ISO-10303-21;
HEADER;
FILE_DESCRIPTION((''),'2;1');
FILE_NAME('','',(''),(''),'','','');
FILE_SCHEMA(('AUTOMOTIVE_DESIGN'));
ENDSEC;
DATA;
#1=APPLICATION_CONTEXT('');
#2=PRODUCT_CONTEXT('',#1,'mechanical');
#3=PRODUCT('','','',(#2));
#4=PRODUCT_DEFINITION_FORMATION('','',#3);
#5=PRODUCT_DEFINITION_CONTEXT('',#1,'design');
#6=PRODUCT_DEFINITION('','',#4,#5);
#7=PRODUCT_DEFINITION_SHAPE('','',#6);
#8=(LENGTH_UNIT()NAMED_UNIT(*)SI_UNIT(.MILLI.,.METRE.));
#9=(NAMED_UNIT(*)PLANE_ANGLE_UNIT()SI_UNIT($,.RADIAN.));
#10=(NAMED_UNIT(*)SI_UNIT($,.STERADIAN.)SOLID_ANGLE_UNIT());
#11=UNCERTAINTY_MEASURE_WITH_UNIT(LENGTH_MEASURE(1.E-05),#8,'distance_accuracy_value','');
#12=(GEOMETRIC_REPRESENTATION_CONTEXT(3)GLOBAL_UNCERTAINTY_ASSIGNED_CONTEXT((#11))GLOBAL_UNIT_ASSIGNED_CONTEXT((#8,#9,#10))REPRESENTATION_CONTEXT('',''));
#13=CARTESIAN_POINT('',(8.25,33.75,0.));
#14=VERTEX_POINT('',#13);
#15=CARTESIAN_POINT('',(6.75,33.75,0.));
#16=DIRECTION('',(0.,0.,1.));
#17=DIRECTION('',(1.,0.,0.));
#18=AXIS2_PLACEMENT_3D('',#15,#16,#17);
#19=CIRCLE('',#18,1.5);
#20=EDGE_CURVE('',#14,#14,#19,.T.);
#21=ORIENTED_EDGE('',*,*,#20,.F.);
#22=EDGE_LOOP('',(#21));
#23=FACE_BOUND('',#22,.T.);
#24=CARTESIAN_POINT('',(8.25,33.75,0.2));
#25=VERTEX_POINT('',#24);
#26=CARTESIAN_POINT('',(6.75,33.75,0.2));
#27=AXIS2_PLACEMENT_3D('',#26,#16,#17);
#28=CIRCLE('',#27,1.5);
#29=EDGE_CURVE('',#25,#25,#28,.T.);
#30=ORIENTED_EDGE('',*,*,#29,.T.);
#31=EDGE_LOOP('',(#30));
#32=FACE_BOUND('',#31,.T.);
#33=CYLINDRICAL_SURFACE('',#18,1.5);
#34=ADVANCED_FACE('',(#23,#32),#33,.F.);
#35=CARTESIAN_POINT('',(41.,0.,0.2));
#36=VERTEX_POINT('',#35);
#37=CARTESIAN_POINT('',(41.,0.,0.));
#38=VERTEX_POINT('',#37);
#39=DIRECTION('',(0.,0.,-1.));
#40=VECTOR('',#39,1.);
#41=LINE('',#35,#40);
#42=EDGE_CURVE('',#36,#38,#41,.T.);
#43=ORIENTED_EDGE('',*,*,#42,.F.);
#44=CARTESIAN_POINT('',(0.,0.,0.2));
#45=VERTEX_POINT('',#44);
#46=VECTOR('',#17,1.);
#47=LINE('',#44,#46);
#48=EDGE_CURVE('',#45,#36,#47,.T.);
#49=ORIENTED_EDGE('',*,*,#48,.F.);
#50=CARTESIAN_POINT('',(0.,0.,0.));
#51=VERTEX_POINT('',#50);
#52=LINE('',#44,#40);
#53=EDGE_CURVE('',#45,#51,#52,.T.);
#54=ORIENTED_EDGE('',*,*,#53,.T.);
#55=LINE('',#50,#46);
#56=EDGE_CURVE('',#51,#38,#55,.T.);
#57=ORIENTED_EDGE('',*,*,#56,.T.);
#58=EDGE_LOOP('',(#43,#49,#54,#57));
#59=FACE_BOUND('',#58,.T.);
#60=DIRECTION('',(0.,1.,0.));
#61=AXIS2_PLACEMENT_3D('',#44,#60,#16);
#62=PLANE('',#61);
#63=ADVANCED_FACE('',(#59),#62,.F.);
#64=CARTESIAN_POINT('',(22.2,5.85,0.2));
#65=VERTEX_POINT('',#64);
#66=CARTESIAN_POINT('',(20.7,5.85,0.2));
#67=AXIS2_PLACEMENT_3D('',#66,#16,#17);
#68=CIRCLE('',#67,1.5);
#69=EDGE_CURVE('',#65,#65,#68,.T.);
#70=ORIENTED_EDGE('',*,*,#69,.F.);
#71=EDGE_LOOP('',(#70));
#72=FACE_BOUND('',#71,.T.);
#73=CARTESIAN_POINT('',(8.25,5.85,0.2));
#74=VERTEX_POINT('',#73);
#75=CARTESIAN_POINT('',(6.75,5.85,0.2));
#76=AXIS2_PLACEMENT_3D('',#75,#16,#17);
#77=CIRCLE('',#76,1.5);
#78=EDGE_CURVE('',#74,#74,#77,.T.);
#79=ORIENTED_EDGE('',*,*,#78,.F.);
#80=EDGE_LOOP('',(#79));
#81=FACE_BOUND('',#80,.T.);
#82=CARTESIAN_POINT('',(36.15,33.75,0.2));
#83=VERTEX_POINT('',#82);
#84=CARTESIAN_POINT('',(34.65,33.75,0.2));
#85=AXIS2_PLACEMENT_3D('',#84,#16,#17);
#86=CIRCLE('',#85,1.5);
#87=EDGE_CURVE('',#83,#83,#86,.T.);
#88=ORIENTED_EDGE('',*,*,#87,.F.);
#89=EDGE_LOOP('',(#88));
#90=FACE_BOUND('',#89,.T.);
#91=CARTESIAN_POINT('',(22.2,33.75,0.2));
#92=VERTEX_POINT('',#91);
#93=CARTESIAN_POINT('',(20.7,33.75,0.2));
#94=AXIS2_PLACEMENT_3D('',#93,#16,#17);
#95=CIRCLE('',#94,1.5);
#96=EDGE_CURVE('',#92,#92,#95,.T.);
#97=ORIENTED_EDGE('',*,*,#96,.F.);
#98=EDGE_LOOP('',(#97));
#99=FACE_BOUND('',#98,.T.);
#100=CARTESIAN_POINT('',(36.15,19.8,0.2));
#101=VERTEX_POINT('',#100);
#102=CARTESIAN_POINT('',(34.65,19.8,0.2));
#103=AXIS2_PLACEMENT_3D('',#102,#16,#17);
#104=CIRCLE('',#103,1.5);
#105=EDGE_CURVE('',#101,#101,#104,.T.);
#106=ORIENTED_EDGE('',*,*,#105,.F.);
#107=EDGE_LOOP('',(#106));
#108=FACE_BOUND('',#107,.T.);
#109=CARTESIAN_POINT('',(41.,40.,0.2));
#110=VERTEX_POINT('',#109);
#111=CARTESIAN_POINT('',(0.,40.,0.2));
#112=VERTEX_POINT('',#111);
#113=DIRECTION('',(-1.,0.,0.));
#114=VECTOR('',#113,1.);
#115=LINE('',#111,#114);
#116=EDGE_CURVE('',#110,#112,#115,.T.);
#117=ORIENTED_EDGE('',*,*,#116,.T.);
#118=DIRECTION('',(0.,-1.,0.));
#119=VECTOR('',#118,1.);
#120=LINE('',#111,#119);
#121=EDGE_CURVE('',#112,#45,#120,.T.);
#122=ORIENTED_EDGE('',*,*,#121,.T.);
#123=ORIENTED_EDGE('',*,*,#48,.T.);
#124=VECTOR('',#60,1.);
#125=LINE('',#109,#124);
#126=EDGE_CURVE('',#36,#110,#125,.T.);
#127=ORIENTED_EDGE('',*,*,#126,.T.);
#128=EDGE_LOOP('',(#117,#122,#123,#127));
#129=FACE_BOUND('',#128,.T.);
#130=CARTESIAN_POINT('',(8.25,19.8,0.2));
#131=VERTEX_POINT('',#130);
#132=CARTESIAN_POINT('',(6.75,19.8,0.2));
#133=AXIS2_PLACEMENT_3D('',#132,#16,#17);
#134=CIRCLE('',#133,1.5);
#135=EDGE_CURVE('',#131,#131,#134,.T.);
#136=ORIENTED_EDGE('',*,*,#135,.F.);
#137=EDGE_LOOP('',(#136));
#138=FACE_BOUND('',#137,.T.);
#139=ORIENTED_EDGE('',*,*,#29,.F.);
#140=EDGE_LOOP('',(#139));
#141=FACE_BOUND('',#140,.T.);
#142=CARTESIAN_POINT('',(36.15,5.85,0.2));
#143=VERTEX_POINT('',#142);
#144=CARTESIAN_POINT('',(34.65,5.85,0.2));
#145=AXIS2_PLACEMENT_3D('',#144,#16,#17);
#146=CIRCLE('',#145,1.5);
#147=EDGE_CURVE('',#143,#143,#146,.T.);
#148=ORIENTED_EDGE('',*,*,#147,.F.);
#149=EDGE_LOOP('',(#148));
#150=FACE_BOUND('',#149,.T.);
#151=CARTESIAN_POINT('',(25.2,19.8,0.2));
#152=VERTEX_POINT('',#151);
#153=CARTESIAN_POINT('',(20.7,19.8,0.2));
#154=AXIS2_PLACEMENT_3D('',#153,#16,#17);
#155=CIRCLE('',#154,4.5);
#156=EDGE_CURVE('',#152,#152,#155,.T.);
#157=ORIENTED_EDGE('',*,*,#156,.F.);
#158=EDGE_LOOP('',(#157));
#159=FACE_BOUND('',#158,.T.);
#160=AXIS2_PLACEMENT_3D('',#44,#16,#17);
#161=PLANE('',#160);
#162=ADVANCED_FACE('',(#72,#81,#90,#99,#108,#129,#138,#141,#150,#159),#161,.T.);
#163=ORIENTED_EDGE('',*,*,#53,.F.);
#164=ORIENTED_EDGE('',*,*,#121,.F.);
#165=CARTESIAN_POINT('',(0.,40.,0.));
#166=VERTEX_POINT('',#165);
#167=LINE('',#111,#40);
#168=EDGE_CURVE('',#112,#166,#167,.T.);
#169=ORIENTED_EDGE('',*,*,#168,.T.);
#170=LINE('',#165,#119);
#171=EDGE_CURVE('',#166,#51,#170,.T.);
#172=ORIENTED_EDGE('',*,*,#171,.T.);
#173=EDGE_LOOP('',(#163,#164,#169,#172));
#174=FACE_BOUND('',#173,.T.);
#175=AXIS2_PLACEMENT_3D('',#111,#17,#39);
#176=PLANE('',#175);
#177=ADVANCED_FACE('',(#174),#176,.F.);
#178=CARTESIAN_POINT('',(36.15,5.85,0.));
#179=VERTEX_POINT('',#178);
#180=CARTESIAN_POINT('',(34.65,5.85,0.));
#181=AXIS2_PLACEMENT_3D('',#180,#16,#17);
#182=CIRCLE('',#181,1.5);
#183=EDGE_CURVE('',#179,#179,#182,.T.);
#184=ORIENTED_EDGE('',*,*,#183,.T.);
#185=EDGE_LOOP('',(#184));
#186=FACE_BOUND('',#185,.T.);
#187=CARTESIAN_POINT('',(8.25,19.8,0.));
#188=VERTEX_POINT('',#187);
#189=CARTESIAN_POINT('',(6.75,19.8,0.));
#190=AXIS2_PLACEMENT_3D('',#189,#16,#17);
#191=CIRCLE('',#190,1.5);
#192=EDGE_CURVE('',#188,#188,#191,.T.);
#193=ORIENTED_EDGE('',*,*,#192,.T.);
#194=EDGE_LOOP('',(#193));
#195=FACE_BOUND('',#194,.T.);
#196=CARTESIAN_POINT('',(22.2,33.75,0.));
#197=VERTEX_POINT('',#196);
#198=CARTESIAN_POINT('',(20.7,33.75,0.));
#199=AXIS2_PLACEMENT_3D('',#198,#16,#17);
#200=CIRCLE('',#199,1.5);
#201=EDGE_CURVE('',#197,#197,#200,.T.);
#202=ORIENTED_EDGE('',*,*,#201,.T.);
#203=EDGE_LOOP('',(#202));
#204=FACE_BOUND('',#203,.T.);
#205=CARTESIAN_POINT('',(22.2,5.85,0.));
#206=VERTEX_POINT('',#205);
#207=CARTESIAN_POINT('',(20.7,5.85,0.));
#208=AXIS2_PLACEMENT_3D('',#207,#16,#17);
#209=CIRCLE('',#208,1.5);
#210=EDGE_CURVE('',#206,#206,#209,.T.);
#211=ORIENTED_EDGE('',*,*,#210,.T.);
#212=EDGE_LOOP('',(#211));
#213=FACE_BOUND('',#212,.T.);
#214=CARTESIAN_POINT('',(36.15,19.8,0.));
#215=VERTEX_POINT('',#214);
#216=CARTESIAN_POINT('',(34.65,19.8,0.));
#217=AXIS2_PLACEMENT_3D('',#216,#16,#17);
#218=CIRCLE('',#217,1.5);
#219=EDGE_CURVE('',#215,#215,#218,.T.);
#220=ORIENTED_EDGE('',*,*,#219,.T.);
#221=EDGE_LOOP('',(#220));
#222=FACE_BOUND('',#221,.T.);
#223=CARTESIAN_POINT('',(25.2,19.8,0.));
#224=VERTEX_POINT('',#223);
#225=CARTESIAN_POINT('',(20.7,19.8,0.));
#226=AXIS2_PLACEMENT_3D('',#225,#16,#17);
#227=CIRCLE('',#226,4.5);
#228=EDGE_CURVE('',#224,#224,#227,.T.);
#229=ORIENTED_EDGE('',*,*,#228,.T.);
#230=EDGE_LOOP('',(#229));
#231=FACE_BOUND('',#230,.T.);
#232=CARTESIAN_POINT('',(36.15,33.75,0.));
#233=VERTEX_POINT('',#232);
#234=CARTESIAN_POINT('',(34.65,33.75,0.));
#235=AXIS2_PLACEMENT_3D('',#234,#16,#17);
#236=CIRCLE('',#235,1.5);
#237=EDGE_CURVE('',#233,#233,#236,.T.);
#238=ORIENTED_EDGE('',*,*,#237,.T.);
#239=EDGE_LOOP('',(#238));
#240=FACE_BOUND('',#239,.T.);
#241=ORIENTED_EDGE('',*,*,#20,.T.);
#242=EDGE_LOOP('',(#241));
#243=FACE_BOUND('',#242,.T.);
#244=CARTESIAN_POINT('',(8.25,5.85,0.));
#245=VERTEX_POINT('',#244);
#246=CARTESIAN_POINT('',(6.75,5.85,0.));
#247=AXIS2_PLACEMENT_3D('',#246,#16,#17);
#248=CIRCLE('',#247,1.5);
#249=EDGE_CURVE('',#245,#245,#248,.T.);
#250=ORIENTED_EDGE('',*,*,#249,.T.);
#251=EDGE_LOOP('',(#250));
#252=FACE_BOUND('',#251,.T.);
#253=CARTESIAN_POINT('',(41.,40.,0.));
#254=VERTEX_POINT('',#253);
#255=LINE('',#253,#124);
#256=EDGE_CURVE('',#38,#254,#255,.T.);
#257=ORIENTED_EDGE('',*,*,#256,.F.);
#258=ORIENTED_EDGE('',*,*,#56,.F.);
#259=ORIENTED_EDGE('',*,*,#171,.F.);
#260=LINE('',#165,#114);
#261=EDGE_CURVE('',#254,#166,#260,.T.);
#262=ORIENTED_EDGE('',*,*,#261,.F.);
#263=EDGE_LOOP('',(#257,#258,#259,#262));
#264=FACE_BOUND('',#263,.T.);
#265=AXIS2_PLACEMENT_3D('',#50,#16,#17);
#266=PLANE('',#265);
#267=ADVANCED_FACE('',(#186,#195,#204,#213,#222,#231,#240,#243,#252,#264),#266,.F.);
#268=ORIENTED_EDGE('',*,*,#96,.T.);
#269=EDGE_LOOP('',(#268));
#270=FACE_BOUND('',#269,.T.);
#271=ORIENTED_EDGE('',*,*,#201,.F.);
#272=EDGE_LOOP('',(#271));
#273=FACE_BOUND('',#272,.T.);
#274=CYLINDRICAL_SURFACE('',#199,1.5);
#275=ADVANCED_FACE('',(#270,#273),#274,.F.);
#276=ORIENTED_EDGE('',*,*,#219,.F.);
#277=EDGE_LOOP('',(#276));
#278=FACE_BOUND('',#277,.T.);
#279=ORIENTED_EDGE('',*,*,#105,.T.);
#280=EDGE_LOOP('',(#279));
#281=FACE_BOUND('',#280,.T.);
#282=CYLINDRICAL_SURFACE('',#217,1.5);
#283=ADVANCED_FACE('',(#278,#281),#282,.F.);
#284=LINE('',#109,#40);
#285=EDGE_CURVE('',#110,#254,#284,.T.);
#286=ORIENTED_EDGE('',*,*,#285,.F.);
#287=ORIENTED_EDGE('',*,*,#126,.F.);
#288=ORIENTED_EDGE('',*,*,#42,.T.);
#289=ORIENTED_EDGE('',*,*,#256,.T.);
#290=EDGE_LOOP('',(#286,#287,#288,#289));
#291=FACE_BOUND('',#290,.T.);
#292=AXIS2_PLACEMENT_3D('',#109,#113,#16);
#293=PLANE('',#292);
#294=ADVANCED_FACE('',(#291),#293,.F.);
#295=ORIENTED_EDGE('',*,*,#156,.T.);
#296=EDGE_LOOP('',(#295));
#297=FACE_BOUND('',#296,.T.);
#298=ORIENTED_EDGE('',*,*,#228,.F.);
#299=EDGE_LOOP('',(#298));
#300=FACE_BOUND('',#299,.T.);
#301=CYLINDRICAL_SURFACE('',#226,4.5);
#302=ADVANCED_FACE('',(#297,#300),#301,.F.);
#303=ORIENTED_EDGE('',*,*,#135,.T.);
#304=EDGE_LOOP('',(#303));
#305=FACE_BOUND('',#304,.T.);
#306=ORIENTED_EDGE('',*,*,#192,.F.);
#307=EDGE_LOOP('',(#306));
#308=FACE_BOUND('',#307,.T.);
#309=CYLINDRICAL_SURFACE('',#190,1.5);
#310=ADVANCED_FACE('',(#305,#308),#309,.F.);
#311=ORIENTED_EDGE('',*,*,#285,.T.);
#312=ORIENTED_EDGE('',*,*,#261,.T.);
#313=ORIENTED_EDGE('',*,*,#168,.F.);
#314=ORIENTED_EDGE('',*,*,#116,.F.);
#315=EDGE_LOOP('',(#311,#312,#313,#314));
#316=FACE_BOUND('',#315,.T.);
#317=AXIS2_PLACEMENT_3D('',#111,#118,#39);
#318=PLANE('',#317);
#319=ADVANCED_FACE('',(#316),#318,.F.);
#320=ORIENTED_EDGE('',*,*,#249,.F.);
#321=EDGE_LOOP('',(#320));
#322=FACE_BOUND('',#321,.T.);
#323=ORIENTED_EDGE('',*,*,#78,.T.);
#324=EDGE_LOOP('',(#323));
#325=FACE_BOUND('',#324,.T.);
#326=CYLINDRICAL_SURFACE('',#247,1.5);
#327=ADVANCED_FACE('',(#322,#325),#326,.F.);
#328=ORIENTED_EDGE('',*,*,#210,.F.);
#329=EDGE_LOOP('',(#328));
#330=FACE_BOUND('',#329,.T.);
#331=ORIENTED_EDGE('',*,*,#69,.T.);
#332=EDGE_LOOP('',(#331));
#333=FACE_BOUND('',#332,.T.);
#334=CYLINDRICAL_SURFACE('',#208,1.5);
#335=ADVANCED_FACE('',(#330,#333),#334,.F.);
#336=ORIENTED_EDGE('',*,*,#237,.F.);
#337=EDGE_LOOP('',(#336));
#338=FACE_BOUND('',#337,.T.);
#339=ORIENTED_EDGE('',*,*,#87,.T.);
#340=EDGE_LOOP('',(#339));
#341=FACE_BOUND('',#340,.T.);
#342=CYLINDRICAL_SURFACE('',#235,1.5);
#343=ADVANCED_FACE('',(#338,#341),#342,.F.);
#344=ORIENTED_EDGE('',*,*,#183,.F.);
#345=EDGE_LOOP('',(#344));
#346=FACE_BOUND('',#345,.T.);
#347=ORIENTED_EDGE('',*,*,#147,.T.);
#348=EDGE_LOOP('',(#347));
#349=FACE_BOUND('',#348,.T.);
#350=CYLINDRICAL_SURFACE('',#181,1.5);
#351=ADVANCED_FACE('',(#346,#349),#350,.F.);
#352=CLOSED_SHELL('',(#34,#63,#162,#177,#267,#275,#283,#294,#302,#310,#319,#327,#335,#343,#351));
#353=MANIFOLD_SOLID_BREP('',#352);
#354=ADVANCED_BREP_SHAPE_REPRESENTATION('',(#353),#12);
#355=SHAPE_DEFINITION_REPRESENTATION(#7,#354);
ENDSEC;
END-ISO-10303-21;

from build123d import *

# Parameters (mm, degrees)
SKETCH_1_W          = 41
SKETCH_1_H          = 40
EXTRUDE_1_DEPTH     = 0.2
SKETCH_5_R          = 4.5
CUT_EXTRUDE_3_DEPTH = 0.2
SKETCH_6_R          = 1.5
CUT_EXTRUDE_4_DEPTH = 0.2


with BuildPart() as part:
    # 스케치1 → 보스-돌출1 (new body)
    with BuildSketch(Plane.XY):
        with Locations((20.5, 20)):
            Rectangle(SKETCH_1_W, SKETCH_1_H)
    extrude(amount=EXTRUDE_1_DEPTH)

    # 스케치5 → 컷-돌출3 (cut)
    with BuildSketch(Plane.XY.offset(0.2)):
        with Locations((20.7, 19.8)):
            Circle(SKETCH_5_R)
    extrude(amount=-CUT_EXTRUDE_3_DEPTH, mode=Mode.SUBTRACT)

    # 스케치6 → 컷-돌출4 (cut)
    with BuildSketch(Plane.XY.offset(0.2)):
        with Locations((20.7, 33.75)):
            Circle(SKETCH_6_R)
        with Locations((34.65, 33.75)):
            Circle(SKETCH_6_R)
        with Locations((34.65, 19.8)):
            Circle(SKETCH_6_R)
        with Locations((20.7, 5.85)):
            Circle(SKETCH_6_R)
        with Locations((34.65, 5.85)):
            Circle(SKETCH_6_R)
        with Locations((6.75, 5.85)):
            Circle(SKETCH_6_R)
        with Locations((6.75, 33.75)):
            Circle(SKETCH_6_R)
        with Locations((6.75, 19.8)):
            Circle(SKETCH_6_R)
    extrude(amount=-CUT_EXTRUDE_4_DEPTH, mode=Mode.SUBTRACT)


solid = part.part
